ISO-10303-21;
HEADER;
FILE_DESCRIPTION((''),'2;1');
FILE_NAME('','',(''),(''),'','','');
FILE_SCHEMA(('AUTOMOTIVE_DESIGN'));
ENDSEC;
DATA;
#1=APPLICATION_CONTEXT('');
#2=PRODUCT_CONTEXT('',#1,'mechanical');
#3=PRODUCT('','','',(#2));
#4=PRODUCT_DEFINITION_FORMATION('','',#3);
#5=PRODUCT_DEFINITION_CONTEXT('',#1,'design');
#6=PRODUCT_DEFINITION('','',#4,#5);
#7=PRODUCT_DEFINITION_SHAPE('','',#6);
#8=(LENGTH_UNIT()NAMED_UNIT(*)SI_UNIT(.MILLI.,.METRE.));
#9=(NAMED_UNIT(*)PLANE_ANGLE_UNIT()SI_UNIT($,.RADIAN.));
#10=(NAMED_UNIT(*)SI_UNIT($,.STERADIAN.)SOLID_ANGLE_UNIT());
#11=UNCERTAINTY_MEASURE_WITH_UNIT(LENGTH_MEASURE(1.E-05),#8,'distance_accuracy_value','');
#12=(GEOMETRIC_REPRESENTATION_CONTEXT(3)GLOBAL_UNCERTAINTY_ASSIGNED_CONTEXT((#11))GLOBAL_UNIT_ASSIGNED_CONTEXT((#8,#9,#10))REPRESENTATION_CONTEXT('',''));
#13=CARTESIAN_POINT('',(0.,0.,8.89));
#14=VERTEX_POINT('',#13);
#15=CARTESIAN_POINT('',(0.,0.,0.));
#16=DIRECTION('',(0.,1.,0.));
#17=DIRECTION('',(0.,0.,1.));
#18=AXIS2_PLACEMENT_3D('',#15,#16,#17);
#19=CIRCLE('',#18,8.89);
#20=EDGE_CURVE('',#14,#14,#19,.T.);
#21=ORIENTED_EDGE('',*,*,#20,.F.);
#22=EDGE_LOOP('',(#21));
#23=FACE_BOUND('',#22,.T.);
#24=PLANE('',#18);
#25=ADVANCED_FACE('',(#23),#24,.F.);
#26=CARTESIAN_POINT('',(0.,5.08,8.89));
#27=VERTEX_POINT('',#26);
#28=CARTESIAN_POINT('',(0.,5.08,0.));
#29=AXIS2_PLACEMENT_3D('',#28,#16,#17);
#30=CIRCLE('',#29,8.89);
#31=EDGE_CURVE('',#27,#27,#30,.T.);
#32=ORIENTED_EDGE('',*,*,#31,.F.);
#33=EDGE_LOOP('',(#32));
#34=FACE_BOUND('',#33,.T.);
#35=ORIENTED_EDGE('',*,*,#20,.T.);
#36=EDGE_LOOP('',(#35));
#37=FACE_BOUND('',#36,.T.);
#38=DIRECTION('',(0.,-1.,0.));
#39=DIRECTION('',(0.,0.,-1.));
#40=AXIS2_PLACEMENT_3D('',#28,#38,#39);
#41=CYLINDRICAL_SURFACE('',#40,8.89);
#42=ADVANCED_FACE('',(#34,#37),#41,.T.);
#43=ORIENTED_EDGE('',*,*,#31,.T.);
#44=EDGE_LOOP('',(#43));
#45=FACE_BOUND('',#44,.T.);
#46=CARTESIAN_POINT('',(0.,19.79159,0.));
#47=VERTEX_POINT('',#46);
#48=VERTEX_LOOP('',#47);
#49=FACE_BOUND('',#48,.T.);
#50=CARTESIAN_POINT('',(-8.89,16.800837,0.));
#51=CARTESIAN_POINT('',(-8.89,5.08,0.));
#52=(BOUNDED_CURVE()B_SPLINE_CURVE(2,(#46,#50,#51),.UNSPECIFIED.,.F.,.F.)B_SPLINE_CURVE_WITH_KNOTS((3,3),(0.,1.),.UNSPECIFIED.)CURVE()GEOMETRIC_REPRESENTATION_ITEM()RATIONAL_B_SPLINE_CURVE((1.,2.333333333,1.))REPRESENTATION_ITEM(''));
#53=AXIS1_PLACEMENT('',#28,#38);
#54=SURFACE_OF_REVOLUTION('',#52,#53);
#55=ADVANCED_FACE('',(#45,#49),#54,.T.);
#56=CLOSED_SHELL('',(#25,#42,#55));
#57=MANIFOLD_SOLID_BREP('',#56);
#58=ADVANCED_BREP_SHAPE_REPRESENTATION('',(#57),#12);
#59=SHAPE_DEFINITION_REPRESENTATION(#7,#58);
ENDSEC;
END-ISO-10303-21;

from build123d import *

# Parameters (mm, degrees)
SKETCH6_R           = 8.89
BOSS_EXTRUDE8_DEPTH = 5.08


with BuildPart() as part:
    # Sketch6 → Boss-Extrude8 (new body)
    with BuildSketch(Plane(origin=(0, 0, 0), x_dir=(1, 0, 0), z_dir=(0, 1, 0))):
        with Locations(Location((0, 0, 0), (0, 0, 270))):
            Circle(SKETCH6_R)
    extrude(amount=BOSS_EXTRUDE8_DEPTH)

    # Sketch8 → Revolve3 (revolve)
    with BuildSketch(Plane.XY):
        with BuildLine():
            Line((0, 5.08), (0, 19.791590025))
            add(Edge.make_bspline(
                [(-8.89, 5.08), (-8.89, 16.800836864), (0, 19.791590025)],
                knots=[0, 0, 0, 1, 1, 1], degree=2, weights=[1, 2.333333333, 1]))
            Line((-8.89, 5.08), (0, 5.08))
        make_face()
    revolve(axis=Axis((0, 5.08, 0), (0, 1, 0)))


solid = part.part
